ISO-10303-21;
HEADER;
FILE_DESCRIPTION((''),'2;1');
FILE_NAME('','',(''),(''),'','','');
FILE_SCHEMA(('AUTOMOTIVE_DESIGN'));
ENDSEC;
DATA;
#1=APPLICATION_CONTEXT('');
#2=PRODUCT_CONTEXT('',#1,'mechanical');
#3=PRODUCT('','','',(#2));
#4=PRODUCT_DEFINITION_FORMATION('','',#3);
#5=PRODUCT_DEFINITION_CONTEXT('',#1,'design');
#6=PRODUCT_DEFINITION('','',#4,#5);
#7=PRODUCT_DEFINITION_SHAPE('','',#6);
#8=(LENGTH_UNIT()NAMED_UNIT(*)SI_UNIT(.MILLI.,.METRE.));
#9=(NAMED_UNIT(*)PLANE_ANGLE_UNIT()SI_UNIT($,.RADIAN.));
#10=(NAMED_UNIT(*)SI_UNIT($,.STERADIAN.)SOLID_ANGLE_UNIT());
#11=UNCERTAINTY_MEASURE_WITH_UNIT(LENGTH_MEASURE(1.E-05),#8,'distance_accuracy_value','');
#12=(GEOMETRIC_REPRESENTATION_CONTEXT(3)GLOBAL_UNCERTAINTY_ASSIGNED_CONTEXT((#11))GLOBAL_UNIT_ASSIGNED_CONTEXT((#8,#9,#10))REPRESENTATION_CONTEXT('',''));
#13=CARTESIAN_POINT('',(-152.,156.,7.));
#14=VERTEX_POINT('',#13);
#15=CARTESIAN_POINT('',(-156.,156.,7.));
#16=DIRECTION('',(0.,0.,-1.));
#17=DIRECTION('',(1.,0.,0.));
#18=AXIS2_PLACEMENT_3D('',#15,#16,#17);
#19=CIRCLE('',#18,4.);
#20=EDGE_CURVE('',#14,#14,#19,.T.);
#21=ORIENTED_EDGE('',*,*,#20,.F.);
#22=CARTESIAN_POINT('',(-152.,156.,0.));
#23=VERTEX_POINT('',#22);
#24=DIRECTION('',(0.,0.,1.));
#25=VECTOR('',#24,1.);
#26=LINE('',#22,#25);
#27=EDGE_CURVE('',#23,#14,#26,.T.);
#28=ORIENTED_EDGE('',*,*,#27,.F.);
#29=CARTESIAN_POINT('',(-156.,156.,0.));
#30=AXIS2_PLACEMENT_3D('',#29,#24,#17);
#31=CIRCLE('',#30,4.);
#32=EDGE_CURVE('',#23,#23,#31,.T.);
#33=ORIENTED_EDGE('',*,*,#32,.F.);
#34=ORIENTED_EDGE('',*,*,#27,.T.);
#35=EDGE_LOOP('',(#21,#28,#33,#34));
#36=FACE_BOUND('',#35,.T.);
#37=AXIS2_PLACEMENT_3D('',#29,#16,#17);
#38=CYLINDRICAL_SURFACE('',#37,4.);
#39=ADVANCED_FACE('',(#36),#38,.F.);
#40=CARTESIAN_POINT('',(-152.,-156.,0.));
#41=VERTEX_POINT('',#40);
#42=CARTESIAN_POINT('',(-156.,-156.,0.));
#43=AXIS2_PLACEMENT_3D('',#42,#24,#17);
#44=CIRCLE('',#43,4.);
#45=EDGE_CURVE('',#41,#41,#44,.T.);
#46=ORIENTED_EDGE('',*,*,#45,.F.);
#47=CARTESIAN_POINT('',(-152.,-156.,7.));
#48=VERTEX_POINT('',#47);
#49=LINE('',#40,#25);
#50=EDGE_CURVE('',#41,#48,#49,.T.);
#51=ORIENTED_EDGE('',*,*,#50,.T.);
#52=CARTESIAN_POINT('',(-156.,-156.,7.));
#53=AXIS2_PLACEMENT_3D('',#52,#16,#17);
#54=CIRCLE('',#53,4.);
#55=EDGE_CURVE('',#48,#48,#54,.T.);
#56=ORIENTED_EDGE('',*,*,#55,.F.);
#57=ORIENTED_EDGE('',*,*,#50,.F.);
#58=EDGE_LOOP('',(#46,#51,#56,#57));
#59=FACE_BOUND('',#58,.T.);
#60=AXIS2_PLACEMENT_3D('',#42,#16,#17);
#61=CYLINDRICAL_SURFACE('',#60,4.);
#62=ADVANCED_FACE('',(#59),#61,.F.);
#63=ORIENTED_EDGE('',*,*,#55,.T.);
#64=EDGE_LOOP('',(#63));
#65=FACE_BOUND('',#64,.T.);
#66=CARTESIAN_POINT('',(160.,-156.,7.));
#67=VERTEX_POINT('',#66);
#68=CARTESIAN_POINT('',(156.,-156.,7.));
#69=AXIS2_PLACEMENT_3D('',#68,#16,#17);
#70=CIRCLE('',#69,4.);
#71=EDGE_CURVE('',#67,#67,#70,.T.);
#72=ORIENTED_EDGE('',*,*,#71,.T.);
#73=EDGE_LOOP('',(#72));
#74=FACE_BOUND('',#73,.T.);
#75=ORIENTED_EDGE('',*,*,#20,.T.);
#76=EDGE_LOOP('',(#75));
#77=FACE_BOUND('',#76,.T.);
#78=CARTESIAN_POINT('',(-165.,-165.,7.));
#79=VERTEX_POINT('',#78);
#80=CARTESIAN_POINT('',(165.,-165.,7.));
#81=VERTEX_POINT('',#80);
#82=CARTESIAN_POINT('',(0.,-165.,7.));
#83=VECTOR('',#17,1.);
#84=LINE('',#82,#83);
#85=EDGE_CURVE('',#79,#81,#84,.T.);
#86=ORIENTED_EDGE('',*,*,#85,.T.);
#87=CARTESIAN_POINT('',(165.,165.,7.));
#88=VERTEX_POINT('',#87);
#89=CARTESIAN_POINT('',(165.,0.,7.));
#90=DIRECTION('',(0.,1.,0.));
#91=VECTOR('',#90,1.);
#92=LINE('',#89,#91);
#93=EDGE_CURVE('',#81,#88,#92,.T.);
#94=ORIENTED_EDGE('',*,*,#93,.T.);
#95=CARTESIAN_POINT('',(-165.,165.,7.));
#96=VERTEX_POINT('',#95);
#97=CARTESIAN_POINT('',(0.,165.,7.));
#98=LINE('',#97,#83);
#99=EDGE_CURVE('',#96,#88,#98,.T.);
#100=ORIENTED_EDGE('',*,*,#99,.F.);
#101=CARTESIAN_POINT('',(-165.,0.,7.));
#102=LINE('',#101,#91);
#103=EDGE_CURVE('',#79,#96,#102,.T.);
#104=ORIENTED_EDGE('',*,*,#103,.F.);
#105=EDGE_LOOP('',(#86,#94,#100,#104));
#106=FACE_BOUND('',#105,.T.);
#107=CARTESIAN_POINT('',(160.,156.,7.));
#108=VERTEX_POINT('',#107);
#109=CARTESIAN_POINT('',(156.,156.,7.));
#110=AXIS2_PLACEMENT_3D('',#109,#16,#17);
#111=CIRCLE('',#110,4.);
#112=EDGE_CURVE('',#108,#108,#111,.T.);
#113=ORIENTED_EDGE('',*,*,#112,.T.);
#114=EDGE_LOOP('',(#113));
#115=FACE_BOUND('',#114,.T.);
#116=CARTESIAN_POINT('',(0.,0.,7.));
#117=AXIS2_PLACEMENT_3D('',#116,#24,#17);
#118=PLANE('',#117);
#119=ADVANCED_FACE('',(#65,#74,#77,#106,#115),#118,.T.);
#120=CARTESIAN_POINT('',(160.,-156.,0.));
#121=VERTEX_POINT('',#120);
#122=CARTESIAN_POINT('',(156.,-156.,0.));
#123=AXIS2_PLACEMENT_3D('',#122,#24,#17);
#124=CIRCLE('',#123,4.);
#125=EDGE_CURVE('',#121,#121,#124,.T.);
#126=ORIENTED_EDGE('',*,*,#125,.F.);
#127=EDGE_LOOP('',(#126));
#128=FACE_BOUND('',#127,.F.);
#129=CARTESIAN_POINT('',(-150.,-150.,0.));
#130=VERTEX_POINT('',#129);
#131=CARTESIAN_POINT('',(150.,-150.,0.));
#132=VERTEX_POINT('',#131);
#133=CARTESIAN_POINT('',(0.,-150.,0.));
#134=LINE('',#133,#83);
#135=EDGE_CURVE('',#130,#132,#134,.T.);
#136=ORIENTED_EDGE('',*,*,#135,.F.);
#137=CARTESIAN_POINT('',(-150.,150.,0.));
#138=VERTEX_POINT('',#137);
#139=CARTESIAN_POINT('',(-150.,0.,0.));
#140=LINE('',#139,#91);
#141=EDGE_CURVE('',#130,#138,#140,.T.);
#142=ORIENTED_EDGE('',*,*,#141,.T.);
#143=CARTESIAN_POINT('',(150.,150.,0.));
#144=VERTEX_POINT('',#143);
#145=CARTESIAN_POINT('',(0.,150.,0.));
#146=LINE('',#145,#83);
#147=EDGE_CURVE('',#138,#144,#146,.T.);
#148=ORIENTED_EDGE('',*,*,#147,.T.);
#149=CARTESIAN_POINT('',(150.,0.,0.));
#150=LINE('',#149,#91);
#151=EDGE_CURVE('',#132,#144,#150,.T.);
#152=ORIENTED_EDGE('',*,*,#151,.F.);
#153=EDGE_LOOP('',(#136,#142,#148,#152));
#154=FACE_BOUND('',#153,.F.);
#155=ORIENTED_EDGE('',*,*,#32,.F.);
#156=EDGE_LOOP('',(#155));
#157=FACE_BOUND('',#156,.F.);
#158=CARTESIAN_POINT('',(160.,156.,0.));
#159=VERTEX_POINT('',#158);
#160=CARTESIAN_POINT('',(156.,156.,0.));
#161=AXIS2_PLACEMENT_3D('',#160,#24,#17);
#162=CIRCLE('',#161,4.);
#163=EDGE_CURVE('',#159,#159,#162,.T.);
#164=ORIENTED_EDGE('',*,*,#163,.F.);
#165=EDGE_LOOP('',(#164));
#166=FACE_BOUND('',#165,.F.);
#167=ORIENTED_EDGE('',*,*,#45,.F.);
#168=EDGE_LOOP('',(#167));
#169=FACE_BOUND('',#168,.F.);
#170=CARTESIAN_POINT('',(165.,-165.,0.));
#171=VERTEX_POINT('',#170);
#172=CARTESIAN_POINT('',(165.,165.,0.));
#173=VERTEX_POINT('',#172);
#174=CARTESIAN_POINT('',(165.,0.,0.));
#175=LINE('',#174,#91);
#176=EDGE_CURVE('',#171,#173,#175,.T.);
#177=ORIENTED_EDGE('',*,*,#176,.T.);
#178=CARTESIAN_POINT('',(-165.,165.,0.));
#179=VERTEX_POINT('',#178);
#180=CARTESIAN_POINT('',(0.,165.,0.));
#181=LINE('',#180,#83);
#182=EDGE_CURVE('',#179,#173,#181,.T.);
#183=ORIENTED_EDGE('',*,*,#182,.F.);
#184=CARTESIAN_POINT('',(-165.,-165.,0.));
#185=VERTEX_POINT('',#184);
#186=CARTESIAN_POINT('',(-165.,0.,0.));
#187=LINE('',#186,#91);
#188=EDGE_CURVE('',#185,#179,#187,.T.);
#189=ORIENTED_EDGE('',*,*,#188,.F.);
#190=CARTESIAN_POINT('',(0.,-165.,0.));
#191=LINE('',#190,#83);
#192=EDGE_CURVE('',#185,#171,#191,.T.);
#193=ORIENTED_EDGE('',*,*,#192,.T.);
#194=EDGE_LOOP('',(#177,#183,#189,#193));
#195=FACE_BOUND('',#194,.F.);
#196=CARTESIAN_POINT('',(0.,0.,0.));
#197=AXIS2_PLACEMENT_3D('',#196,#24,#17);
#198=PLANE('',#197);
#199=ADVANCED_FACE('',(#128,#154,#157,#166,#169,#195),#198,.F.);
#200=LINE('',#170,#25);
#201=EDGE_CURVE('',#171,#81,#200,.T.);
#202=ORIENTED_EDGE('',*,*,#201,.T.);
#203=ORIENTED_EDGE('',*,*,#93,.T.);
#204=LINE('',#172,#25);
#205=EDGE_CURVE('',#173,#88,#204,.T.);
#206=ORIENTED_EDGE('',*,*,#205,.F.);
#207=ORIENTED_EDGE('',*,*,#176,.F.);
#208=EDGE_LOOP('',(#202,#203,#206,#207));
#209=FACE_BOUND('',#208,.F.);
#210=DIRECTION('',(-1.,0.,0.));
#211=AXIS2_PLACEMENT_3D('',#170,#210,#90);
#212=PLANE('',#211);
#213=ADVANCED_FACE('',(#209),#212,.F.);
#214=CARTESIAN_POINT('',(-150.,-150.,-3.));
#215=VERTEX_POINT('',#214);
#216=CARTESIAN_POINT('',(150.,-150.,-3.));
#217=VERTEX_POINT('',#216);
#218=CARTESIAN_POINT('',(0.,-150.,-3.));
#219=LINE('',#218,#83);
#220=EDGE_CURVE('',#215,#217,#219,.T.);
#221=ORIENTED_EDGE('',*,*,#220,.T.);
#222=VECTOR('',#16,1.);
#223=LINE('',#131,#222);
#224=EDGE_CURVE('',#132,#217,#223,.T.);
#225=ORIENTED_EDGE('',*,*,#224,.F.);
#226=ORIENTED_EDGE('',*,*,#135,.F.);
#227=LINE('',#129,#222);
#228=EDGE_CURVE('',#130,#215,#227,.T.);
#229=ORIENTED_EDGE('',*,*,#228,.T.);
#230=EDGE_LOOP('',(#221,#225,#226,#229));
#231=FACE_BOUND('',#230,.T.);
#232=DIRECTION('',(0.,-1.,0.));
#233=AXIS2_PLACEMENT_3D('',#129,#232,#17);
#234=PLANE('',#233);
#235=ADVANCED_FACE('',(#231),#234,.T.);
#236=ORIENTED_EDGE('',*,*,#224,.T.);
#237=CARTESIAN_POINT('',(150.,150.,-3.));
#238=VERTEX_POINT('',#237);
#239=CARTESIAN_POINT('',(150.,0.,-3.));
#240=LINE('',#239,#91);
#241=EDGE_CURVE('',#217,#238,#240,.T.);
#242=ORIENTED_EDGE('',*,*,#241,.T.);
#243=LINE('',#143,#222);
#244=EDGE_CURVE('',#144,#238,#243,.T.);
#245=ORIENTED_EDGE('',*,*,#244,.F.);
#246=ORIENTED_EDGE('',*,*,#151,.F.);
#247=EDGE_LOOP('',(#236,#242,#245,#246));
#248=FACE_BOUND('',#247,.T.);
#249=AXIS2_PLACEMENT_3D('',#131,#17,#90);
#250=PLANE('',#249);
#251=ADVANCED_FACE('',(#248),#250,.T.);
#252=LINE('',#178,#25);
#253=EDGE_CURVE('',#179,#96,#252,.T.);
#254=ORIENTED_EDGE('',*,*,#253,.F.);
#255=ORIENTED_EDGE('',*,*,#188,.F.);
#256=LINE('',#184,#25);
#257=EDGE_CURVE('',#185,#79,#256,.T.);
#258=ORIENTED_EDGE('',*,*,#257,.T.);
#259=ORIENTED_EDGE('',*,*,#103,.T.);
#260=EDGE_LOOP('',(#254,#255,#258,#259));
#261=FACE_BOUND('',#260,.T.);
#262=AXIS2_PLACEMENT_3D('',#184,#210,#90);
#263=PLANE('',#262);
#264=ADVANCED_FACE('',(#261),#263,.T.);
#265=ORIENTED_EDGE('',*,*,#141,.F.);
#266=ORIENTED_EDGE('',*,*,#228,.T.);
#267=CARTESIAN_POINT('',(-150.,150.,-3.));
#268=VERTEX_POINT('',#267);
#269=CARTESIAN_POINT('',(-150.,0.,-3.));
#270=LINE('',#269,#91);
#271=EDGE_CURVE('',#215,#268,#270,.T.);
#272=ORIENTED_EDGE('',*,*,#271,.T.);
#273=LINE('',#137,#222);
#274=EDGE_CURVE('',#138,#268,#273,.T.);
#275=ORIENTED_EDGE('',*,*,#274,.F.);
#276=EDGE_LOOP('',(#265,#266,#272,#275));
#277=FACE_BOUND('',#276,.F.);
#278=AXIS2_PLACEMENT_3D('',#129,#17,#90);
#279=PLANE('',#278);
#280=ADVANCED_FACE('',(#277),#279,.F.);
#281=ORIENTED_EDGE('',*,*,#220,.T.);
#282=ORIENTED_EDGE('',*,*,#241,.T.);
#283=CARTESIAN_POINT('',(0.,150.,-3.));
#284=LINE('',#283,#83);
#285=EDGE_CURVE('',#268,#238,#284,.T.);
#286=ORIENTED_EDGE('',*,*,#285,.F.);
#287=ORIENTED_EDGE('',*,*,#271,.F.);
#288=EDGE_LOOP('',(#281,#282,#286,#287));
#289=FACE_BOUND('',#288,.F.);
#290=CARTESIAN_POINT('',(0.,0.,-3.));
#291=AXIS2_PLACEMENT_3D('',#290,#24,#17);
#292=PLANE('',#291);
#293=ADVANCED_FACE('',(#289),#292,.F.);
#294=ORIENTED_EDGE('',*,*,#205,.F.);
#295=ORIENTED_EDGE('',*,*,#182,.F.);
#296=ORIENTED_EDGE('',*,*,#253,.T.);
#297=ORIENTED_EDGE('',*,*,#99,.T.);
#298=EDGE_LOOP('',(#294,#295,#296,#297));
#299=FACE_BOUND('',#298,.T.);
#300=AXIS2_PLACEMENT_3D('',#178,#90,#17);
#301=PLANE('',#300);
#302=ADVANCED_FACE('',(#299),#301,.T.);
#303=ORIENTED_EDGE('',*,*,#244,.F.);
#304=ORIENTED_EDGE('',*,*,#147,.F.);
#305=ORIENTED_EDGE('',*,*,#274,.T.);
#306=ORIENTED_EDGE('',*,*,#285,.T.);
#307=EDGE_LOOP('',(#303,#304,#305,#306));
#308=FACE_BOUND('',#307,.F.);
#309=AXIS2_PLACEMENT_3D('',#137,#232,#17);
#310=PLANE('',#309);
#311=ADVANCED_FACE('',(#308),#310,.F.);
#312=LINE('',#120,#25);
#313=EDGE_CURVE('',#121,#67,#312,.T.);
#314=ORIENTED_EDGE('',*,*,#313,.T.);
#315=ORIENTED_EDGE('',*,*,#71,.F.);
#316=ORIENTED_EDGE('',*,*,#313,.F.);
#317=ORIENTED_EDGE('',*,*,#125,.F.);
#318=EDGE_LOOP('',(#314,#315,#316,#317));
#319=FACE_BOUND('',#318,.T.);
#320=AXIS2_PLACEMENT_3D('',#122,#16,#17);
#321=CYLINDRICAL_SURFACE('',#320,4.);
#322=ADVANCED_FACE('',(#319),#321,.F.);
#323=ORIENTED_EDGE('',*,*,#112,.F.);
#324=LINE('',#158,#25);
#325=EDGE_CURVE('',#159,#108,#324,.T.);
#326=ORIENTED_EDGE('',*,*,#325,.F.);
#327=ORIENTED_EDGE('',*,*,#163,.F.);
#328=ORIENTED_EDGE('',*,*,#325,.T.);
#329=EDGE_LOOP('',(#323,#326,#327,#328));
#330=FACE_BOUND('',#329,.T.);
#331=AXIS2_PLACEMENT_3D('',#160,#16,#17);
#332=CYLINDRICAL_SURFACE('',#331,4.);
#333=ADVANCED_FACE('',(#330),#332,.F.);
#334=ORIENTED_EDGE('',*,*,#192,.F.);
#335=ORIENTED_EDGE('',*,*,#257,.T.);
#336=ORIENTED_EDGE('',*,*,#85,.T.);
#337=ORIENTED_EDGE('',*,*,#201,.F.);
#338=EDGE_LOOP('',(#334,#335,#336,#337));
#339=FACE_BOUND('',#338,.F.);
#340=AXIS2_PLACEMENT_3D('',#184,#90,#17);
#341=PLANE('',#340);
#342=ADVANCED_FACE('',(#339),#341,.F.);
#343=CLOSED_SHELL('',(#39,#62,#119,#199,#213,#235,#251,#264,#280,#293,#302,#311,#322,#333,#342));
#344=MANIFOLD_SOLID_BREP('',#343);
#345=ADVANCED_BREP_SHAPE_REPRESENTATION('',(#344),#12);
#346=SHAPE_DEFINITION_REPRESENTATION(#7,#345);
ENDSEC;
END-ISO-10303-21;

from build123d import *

# Parameters (mm, degrees)
F0_W     = 330
F0_H     = 330
F0_W_2   = 300
F0_H_2   = 300
F1_DEPTH = 7
F2_DEPTH = 3
F3_R     = 4
F4_DEPTH = 8


with BuildPart() as f1:
    # F0 (on Top) → F1 (new body)
    with BuildSketch(Plane.XY):
        Rectangle(F0_W, F0_H)
        Rectangle(F0_W_2, F0_H_2, mode=Mode.SUBTRACT)
        Rectangle(F0_W_2, F0_H_2)
    extrude(amount=F1_DEPTH)

    # F0 (on Top) → F2 (join)
    with BuildSketch(Plane.XY):
        Rectangle(F0_W_2, F0_H_2)
    extrude(amount=-F2_DEPTH)

    # F3 (on Top) → F4 (cut)
    with BuildSketch(Plane.XY):
        with Locations((-156, 156)):
            Circle(F3_R)
        with Locations((156, 156)):
            Circle(F3_R)
        with Locations((156, -156)):
            Circle(F3_R)
        with Locations((-156, -156)):
            Circle(F3_R)
    extrude(amount=F4_DEPTH, mode=Mode.SUBTRACT)


solid = f1.part
